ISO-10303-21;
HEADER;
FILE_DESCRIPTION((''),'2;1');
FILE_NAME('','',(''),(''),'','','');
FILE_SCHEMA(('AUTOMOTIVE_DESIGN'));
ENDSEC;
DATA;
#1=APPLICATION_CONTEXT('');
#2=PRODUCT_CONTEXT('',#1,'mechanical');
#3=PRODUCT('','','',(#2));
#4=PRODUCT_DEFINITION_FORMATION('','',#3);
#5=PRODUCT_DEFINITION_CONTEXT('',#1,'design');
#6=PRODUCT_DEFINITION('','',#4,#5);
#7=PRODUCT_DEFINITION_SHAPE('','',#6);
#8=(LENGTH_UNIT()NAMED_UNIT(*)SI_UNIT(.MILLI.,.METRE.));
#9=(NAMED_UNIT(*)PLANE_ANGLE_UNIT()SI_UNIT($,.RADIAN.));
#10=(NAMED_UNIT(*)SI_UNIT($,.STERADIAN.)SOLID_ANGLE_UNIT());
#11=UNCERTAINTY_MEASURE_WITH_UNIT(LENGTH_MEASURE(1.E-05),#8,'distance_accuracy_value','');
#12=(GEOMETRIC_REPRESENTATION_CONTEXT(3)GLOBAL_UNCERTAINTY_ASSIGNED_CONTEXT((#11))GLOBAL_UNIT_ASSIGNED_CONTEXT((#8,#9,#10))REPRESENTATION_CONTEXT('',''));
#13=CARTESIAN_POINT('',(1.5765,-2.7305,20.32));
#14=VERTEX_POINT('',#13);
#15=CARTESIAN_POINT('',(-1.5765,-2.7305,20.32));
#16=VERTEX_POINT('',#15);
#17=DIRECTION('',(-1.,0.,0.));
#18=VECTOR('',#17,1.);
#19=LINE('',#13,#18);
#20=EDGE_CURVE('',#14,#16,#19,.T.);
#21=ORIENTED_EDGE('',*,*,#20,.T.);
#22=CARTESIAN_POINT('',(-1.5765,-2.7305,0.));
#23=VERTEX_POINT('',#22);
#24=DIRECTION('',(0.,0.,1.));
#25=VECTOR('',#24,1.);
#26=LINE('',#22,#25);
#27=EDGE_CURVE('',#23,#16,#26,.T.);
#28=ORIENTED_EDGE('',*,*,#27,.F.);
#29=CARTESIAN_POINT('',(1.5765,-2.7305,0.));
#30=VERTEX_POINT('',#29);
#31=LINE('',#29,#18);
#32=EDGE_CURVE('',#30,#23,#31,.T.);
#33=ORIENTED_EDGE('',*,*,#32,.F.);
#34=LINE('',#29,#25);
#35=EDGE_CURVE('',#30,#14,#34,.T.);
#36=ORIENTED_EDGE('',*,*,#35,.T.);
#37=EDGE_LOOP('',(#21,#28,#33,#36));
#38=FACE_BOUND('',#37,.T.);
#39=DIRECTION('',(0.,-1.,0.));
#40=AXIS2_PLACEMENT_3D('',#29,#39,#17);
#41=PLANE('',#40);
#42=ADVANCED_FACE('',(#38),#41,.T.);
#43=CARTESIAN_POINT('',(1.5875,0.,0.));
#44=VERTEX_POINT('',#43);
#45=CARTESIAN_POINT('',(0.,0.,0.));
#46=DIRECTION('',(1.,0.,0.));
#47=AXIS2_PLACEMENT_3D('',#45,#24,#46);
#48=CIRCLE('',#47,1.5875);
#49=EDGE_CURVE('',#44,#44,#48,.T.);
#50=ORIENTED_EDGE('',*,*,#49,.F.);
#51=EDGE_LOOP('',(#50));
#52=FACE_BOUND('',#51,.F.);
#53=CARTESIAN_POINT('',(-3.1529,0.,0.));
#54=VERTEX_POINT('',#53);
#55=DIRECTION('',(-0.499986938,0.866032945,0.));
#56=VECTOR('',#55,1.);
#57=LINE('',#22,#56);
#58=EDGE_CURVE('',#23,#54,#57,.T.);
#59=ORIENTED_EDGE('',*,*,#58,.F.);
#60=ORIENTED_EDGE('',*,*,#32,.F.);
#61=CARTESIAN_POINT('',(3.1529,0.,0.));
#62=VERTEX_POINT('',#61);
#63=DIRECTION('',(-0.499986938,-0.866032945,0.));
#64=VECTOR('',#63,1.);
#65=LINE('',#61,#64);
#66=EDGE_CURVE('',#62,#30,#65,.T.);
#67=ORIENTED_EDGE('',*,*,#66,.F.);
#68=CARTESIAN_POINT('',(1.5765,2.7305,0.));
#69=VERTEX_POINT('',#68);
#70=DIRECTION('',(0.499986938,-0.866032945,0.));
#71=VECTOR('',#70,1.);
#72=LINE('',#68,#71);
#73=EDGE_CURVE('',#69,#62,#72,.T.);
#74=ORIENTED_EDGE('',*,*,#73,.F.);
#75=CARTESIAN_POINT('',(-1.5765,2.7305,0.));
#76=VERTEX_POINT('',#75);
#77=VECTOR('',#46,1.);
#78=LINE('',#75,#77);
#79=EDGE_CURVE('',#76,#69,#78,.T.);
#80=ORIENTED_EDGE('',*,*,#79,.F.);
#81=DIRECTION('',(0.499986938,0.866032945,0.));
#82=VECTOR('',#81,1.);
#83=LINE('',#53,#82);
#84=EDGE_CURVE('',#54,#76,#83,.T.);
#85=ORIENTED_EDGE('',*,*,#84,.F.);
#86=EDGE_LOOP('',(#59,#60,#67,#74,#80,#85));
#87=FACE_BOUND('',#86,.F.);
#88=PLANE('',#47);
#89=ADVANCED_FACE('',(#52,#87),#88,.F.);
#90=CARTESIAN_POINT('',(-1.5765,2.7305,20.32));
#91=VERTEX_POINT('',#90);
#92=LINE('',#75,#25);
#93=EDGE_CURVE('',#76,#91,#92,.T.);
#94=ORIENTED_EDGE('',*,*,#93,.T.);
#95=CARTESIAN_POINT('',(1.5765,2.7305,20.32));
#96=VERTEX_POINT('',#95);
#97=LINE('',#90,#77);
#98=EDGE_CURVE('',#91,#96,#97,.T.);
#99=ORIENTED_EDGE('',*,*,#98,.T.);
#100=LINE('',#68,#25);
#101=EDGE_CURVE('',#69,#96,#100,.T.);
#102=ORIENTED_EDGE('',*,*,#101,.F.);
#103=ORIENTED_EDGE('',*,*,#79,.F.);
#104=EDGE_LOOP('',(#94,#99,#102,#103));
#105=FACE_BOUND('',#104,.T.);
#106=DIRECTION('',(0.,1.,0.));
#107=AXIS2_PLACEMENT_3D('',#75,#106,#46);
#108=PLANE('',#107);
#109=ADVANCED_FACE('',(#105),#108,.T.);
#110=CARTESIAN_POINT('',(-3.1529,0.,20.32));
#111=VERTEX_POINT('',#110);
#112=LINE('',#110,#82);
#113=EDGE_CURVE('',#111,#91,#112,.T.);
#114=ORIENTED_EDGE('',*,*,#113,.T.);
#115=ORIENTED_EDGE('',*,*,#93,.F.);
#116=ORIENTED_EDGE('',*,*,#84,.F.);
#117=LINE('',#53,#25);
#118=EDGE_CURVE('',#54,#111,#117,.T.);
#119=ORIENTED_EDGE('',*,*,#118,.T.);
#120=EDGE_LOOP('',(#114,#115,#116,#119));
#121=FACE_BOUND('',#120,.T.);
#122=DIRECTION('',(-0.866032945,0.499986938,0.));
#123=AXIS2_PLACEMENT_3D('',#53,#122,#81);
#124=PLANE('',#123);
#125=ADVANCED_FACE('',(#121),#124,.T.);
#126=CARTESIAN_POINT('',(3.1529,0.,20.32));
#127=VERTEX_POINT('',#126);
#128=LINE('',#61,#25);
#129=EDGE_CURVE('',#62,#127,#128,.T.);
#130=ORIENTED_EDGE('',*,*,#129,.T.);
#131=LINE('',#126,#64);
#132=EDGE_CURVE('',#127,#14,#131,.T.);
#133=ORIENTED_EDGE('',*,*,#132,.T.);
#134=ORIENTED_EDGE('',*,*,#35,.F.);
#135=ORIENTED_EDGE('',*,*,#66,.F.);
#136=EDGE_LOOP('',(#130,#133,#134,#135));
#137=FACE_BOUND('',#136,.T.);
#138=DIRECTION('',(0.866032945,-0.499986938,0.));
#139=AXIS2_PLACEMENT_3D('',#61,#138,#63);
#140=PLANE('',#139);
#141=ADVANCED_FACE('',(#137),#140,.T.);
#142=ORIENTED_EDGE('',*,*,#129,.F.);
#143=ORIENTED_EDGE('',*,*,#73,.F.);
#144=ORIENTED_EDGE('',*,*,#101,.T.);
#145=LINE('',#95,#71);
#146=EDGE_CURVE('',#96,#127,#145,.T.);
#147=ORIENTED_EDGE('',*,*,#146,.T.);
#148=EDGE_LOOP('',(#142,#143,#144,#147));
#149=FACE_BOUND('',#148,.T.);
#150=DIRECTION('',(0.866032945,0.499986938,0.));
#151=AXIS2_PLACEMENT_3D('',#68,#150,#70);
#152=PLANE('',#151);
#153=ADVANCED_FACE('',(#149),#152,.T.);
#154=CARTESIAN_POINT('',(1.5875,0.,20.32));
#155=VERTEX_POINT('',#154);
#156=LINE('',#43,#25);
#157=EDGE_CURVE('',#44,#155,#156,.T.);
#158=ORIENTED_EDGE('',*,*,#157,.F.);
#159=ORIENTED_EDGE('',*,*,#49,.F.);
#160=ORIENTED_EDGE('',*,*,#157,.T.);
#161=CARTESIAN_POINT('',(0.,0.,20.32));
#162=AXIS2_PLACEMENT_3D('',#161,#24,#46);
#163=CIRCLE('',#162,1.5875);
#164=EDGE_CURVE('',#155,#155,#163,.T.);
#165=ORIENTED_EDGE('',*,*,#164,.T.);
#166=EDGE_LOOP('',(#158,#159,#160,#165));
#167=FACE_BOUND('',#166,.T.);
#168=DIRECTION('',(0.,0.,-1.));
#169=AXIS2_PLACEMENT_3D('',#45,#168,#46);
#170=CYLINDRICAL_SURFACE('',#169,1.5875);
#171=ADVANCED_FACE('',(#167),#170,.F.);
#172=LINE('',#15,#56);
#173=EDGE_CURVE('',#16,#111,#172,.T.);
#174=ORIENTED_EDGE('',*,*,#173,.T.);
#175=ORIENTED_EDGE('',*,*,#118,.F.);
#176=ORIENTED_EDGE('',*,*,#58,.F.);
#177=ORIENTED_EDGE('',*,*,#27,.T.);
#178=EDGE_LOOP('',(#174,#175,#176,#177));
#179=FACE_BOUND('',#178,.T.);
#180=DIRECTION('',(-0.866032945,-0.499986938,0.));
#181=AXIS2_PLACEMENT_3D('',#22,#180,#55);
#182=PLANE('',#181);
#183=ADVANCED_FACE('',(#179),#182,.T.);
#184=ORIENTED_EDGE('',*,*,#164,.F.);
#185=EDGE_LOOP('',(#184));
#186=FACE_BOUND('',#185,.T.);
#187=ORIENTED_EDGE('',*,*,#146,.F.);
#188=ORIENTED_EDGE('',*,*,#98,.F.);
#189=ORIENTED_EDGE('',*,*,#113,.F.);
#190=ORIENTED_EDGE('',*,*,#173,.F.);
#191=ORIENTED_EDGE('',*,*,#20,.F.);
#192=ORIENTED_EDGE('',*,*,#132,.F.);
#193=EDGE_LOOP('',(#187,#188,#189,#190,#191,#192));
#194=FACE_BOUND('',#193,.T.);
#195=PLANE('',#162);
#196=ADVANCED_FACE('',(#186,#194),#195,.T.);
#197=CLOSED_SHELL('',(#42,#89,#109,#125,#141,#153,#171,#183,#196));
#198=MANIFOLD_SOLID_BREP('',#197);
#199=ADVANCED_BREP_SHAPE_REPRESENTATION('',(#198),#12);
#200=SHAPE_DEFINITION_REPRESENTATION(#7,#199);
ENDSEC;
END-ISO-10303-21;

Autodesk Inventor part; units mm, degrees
ref_plane "YZ Plane" through (0, 0, 0) normal (1, 0, 0) x (0, 1, 0)
ref_plane "XZ Plane" through (0, 0, 0) normal (0, 1, 0) x (-1, 0, 0)
ref_plane "XY Plane" through (0, 0, 0) normal (0, 0, 1) x (1, 0, 0)
sketch "Sketch1" plane through (0, 0, 0) normal (0, 0, 1) x (1, 0, 0)
  line L0 (-3.1529, 0) -> (-1.5765, 2.7305)
  line L1 (-1.5765, 2.7305) -> (1.5765, 2.7305)
  line L2 (1.5765, 2.7305) -> (3.1529, 0)
  line L3 (3.1529, 0) -> (1.5765, -2.7305)
  line L4 (1.5765, -2.7305) -> (-1.5765, -2.7305)
  line L5 (-1.5765, -2.7305) -> (-3.1529, 0)
  circle A0 centre (0, 0) radius 1.5875
  dimension "d0" = 5.461
  dimension "d1" = 3.175
extrude "Extrusion1" add sketch "Sketch1" along normal blind 20.32
thread "Thread1" size "5-40 UNC" class "2B" standard "ANSI Unified Screw Threads" full length
properties part number "StandoffMedium" material "Stainless Steel"
